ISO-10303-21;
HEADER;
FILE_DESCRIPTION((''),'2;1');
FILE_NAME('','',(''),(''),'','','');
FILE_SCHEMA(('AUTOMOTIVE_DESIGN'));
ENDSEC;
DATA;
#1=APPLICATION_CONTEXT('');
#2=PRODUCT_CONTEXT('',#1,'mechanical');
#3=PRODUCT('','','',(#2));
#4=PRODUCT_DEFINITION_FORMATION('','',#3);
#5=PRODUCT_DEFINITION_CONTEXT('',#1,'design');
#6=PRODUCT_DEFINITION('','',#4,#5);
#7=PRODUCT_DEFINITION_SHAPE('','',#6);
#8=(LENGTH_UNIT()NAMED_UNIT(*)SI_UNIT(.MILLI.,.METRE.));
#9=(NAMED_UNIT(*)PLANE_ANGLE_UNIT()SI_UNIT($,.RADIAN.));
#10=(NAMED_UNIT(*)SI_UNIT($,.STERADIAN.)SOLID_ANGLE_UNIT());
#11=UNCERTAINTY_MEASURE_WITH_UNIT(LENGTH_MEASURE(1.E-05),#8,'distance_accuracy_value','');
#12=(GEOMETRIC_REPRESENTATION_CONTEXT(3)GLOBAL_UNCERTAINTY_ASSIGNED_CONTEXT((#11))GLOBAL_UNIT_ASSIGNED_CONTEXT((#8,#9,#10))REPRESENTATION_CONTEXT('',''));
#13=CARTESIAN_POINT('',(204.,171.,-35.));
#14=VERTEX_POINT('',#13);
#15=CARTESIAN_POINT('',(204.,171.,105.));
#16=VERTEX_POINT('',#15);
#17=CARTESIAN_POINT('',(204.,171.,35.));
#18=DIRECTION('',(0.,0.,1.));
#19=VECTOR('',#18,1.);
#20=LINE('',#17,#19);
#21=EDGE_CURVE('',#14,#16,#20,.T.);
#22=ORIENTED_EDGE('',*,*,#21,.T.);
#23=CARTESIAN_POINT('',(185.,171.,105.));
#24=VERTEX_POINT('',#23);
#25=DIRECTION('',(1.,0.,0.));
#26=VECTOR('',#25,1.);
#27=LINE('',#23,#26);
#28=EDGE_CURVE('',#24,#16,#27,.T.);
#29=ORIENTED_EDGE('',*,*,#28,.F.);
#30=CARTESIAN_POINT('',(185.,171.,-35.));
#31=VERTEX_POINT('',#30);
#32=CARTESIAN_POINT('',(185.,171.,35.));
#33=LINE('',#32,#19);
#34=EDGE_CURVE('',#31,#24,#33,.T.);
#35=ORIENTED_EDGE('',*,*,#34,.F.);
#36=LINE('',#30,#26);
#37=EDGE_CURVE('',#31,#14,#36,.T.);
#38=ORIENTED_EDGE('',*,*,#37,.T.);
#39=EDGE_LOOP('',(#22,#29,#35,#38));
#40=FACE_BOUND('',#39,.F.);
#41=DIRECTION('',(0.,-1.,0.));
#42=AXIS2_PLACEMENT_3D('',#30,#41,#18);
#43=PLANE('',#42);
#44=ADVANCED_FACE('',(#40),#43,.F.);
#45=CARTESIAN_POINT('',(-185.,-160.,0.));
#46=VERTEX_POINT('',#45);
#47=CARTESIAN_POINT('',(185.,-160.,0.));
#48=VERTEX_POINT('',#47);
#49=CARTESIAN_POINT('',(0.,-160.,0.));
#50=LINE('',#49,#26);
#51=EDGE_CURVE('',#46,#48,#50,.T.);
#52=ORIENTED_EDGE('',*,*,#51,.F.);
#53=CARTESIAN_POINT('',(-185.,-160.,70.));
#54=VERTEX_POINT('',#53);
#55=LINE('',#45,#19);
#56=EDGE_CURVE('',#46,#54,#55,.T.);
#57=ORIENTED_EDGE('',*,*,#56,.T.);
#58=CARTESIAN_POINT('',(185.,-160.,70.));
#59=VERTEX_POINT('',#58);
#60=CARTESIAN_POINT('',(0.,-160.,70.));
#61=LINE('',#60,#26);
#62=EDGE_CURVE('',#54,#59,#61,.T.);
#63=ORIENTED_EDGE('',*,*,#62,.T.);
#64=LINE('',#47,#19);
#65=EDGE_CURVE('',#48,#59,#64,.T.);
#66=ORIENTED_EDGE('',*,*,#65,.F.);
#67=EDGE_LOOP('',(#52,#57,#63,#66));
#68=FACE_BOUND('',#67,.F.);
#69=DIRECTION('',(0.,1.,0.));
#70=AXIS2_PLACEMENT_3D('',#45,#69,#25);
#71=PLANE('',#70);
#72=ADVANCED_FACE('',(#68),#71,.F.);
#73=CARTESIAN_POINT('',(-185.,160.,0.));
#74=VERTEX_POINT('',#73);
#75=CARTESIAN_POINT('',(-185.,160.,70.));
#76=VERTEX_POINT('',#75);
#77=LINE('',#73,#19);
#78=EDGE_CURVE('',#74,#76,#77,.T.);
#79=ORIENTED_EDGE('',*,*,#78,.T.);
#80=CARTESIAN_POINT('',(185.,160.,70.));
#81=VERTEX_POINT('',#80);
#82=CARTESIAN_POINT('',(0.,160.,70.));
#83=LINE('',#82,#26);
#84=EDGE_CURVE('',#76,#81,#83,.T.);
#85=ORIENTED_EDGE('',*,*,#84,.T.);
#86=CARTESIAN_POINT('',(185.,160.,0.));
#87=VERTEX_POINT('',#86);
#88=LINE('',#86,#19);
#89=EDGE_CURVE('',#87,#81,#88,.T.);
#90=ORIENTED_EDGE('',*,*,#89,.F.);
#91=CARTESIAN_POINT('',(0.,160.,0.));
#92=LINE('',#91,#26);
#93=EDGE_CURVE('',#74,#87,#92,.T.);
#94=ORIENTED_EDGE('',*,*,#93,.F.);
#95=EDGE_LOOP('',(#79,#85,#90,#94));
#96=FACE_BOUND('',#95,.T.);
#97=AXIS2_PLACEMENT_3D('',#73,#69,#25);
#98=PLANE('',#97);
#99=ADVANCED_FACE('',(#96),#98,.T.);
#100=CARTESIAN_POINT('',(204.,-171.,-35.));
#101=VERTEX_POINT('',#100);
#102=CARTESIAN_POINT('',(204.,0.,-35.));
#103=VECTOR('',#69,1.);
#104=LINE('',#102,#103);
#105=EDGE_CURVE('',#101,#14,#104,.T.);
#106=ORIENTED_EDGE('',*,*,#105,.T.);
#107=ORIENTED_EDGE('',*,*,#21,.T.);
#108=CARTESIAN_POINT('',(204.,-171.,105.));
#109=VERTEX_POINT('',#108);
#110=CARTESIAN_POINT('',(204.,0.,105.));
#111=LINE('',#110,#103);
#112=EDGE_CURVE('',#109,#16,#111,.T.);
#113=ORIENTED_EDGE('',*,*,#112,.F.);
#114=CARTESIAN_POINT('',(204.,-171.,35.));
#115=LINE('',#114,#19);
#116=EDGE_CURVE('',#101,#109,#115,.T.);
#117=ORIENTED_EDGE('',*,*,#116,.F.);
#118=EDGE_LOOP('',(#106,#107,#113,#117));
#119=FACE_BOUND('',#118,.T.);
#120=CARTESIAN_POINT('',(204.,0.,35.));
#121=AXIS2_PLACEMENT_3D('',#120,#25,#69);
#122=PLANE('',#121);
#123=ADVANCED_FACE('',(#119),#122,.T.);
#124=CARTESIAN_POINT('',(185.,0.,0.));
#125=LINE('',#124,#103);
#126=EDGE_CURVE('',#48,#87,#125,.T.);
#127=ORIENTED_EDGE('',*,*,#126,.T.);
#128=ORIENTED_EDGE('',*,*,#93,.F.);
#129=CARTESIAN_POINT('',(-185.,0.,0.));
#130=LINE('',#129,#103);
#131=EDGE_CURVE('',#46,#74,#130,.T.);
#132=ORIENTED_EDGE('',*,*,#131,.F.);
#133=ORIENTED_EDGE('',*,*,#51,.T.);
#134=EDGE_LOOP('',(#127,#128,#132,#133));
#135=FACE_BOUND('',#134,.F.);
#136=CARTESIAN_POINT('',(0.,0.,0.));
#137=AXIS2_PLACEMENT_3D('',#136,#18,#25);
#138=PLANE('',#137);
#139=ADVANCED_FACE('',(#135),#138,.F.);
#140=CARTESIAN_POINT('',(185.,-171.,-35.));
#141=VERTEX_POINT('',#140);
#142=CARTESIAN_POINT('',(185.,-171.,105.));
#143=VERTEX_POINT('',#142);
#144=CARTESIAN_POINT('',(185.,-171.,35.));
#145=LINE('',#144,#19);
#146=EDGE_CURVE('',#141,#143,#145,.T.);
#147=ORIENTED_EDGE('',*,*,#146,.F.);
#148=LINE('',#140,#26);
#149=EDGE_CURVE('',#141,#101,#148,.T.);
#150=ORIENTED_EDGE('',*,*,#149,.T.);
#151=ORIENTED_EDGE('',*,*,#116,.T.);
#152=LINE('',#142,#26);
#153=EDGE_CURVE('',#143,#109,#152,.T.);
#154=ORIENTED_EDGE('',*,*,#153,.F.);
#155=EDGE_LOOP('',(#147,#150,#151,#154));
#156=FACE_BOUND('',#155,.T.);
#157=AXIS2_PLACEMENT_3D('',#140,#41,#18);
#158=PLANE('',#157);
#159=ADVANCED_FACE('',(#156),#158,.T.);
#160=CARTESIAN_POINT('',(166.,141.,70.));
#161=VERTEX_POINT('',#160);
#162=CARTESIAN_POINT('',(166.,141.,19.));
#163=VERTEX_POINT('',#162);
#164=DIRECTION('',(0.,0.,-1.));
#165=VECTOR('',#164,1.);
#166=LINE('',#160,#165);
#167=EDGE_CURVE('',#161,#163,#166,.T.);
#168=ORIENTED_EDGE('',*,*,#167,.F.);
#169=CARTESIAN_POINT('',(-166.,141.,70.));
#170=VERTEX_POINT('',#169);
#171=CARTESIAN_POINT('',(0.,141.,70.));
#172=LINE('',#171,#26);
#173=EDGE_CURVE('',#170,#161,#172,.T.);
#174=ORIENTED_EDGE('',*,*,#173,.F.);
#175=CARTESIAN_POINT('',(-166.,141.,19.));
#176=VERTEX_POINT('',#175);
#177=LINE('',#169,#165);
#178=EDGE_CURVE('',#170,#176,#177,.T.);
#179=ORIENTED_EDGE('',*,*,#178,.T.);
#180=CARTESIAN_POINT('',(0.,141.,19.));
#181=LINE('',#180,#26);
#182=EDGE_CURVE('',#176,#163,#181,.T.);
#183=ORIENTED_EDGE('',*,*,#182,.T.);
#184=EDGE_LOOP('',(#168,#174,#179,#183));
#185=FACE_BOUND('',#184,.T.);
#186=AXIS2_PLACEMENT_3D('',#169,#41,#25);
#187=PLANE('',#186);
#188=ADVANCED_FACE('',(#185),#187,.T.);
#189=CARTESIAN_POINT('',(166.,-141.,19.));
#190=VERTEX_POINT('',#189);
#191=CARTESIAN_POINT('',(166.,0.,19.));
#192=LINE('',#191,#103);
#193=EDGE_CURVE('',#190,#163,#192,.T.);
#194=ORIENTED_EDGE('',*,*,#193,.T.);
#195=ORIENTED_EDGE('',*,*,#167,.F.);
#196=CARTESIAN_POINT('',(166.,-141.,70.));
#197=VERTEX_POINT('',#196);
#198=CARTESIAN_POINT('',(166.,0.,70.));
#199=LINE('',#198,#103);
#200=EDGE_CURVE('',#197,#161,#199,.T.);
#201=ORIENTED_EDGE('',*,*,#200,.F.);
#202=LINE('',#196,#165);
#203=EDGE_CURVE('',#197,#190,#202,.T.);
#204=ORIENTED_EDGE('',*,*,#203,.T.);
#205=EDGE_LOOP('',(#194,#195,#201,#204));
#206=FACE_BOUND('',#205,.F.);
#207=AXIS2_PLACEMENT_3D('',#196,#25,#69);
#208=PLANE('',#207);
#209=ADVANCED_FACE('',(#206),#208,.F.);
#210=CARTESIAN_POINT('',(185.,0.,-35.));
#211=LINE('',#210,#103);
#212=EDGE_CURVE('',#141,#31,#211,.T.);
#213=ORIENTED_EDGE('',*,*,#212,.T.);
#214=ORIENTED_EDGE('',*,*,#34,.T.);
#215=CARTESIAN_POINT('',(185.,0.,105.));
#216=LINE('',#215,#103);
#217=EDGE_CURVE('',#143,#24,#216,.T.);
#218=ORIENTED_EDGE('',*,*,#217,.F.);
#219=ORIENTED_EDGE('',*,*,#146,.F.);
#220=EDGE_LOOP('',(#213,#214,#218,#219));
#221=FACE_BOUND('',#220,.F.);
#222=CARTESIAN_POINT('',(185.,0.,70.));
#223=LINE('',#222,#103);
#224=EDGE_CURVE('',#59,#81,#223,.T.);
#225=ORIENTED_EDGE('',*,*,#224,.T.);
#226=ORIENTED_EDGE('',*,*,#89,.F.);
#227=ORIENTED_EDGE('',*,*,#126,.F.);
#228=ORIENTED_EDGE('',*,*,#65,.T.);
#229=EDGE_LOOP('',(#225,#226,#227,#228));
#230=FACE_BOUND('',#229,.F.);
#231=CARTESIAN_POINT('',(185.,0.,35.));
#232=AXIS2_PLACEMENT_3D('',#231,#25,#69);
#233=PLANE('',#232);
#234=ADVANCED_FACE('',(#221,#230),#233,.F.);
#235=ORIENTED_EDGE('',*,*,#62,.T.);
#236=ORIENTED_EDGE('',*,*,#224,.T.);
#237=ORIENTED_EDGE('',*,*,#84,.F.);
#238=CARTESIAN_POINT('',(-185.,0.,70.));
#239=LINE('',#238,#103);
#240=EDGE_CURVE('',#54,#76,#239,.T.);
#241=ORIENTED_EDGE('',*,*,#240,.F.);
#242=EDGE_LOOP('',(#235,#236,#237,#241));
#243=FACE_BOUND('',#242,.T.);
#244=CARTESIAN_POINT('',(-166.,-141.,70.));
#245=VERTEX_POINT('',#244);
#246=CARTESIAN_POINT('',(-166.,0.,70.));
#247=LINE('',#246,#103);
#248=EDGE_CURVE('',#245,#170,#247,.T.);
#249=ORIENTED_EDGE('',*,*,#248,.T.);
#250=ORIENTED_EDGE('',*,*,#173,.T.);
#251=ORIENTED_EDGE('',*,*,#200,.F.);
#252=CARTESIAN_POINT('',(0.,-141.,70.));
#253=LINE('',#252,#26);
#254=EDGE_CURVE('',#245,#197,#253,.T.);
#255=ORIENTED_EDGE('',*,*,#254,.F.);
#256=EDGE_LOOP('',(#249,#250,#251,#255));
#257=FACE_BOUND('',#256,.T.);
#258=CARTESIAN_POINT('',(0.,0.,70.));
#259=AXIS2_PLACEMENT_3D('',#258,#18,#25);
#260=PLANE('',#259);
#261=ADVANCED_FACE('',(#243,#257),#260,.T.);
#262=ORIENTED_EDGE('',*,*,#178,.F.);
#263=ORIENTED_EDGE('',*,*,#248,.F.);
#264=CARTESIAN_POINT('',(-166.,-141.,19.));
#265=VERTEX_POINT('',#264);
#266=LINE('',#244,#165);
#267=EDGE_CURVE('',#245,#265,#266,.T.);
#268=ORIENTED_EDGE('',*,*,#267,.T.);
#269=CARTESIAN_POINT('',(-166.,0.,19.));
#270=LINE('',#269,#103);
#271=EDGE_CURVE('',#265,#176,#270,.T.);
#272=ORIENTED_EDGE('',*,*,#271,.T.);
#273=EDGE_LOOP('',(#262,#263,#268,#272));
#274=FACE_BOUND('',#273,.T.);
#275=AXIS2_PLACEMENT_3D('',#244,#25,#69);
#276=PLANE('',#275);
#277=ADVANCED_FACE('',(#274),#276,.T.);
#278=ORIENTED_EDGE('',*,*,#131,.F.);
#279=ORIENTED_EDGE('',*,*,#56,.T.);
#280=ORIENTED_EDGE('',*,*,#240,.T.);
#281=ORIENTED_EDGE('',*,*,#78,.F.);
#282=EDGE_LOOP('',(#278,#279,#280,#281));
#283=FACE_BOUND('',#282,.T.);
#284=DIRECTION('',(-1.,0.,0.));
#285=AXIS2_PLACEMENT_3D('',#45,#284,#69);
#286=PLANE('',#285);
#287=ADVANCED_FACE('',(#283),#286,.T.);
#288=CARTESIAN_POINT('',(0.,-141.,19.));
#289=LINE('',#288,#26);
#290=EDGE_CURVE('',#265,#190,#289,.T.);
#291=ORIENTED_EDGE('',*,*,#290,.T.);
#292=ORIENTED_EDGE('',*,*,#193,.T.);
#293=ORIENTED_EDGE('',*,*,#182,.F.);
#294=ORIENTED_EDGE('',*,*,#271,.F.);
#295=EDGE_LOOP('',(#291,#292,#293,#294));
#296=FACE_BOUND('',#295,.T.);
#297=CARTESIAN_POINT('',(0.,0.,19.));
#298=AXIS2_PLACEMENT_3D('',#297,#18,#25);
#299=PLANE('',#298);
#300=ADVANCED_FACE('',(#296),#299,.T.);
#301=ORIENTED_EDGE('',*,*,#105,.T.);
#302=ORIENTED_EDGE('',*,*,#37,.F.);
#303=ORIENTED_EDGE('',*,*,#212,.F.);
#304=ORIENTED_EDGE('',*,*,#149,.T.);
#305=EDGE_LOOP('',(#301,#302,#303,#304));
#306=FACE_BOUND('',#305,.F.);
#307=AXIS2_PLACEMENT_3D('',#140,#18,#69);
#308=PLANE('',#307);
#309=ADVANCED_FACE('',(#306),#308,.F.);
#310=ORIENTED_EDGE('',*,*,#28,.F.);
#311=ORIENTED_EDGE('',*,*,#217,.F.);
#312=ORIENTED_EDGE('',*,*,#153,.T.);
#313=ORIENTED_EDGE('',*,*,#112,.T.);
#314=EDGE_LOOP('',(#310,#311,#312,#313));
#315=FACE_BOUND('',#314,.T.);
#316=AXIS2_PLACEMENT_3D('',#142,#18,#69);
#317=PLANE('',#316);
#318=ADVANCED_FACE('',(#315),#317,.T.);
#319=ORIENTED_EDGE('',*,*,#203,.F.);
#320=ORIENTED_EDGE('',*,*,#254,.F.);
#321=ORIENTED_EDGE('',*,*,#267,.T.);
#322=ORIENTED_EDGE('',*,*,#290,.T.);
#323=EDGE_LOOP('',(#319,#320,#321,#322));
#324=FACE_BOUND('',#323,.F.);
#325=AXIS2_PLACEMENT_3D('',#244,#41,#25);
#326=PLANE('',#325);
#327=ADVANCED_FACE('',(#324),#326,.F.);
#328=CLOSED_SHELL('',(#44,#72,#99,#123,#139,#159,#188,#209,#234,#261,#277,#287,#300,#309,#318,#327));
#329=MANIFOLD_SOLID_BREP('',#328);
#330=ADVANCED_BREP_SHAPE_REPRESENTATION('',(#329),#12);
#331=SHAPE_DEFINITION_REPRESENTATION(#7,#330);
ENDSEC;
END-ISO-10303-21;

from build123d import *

# Parameters (mm, degrees)
F0_W     = 370
F0_H     = 320
F1_DEPTH = 70
F2_W     = 332
F2_H     = 282
F3_DEPTH = 51
F4_W     = 342
F4_H     = 140
F5_DEPTH = 19


with BuildPart() as f1:
    # F0 (on Top) → F1 (new body)
    with BuildSketch(Plane.XY):
        Rectangle(F0_W, F0_H)
    extrude(amount=F1_DEPTH)

    # F2 (on face) → F3 (cut)
    with BuildSketch(Plane.XY.offset(70)):
        Rectangle(F2_W, F2_H)
    extrude(amount=-F3_DEPTH, mode=Mode.SUBTRACT)

    # F4 (on face) → F5 (join)
    with BuildSketch(Plane.YZ.offset(185)):
        with Locations((0, 35)):
            Rectangle(F4_W, F4_H)
    extrude(amount=F5_DEPTH)


solid = f1.part
